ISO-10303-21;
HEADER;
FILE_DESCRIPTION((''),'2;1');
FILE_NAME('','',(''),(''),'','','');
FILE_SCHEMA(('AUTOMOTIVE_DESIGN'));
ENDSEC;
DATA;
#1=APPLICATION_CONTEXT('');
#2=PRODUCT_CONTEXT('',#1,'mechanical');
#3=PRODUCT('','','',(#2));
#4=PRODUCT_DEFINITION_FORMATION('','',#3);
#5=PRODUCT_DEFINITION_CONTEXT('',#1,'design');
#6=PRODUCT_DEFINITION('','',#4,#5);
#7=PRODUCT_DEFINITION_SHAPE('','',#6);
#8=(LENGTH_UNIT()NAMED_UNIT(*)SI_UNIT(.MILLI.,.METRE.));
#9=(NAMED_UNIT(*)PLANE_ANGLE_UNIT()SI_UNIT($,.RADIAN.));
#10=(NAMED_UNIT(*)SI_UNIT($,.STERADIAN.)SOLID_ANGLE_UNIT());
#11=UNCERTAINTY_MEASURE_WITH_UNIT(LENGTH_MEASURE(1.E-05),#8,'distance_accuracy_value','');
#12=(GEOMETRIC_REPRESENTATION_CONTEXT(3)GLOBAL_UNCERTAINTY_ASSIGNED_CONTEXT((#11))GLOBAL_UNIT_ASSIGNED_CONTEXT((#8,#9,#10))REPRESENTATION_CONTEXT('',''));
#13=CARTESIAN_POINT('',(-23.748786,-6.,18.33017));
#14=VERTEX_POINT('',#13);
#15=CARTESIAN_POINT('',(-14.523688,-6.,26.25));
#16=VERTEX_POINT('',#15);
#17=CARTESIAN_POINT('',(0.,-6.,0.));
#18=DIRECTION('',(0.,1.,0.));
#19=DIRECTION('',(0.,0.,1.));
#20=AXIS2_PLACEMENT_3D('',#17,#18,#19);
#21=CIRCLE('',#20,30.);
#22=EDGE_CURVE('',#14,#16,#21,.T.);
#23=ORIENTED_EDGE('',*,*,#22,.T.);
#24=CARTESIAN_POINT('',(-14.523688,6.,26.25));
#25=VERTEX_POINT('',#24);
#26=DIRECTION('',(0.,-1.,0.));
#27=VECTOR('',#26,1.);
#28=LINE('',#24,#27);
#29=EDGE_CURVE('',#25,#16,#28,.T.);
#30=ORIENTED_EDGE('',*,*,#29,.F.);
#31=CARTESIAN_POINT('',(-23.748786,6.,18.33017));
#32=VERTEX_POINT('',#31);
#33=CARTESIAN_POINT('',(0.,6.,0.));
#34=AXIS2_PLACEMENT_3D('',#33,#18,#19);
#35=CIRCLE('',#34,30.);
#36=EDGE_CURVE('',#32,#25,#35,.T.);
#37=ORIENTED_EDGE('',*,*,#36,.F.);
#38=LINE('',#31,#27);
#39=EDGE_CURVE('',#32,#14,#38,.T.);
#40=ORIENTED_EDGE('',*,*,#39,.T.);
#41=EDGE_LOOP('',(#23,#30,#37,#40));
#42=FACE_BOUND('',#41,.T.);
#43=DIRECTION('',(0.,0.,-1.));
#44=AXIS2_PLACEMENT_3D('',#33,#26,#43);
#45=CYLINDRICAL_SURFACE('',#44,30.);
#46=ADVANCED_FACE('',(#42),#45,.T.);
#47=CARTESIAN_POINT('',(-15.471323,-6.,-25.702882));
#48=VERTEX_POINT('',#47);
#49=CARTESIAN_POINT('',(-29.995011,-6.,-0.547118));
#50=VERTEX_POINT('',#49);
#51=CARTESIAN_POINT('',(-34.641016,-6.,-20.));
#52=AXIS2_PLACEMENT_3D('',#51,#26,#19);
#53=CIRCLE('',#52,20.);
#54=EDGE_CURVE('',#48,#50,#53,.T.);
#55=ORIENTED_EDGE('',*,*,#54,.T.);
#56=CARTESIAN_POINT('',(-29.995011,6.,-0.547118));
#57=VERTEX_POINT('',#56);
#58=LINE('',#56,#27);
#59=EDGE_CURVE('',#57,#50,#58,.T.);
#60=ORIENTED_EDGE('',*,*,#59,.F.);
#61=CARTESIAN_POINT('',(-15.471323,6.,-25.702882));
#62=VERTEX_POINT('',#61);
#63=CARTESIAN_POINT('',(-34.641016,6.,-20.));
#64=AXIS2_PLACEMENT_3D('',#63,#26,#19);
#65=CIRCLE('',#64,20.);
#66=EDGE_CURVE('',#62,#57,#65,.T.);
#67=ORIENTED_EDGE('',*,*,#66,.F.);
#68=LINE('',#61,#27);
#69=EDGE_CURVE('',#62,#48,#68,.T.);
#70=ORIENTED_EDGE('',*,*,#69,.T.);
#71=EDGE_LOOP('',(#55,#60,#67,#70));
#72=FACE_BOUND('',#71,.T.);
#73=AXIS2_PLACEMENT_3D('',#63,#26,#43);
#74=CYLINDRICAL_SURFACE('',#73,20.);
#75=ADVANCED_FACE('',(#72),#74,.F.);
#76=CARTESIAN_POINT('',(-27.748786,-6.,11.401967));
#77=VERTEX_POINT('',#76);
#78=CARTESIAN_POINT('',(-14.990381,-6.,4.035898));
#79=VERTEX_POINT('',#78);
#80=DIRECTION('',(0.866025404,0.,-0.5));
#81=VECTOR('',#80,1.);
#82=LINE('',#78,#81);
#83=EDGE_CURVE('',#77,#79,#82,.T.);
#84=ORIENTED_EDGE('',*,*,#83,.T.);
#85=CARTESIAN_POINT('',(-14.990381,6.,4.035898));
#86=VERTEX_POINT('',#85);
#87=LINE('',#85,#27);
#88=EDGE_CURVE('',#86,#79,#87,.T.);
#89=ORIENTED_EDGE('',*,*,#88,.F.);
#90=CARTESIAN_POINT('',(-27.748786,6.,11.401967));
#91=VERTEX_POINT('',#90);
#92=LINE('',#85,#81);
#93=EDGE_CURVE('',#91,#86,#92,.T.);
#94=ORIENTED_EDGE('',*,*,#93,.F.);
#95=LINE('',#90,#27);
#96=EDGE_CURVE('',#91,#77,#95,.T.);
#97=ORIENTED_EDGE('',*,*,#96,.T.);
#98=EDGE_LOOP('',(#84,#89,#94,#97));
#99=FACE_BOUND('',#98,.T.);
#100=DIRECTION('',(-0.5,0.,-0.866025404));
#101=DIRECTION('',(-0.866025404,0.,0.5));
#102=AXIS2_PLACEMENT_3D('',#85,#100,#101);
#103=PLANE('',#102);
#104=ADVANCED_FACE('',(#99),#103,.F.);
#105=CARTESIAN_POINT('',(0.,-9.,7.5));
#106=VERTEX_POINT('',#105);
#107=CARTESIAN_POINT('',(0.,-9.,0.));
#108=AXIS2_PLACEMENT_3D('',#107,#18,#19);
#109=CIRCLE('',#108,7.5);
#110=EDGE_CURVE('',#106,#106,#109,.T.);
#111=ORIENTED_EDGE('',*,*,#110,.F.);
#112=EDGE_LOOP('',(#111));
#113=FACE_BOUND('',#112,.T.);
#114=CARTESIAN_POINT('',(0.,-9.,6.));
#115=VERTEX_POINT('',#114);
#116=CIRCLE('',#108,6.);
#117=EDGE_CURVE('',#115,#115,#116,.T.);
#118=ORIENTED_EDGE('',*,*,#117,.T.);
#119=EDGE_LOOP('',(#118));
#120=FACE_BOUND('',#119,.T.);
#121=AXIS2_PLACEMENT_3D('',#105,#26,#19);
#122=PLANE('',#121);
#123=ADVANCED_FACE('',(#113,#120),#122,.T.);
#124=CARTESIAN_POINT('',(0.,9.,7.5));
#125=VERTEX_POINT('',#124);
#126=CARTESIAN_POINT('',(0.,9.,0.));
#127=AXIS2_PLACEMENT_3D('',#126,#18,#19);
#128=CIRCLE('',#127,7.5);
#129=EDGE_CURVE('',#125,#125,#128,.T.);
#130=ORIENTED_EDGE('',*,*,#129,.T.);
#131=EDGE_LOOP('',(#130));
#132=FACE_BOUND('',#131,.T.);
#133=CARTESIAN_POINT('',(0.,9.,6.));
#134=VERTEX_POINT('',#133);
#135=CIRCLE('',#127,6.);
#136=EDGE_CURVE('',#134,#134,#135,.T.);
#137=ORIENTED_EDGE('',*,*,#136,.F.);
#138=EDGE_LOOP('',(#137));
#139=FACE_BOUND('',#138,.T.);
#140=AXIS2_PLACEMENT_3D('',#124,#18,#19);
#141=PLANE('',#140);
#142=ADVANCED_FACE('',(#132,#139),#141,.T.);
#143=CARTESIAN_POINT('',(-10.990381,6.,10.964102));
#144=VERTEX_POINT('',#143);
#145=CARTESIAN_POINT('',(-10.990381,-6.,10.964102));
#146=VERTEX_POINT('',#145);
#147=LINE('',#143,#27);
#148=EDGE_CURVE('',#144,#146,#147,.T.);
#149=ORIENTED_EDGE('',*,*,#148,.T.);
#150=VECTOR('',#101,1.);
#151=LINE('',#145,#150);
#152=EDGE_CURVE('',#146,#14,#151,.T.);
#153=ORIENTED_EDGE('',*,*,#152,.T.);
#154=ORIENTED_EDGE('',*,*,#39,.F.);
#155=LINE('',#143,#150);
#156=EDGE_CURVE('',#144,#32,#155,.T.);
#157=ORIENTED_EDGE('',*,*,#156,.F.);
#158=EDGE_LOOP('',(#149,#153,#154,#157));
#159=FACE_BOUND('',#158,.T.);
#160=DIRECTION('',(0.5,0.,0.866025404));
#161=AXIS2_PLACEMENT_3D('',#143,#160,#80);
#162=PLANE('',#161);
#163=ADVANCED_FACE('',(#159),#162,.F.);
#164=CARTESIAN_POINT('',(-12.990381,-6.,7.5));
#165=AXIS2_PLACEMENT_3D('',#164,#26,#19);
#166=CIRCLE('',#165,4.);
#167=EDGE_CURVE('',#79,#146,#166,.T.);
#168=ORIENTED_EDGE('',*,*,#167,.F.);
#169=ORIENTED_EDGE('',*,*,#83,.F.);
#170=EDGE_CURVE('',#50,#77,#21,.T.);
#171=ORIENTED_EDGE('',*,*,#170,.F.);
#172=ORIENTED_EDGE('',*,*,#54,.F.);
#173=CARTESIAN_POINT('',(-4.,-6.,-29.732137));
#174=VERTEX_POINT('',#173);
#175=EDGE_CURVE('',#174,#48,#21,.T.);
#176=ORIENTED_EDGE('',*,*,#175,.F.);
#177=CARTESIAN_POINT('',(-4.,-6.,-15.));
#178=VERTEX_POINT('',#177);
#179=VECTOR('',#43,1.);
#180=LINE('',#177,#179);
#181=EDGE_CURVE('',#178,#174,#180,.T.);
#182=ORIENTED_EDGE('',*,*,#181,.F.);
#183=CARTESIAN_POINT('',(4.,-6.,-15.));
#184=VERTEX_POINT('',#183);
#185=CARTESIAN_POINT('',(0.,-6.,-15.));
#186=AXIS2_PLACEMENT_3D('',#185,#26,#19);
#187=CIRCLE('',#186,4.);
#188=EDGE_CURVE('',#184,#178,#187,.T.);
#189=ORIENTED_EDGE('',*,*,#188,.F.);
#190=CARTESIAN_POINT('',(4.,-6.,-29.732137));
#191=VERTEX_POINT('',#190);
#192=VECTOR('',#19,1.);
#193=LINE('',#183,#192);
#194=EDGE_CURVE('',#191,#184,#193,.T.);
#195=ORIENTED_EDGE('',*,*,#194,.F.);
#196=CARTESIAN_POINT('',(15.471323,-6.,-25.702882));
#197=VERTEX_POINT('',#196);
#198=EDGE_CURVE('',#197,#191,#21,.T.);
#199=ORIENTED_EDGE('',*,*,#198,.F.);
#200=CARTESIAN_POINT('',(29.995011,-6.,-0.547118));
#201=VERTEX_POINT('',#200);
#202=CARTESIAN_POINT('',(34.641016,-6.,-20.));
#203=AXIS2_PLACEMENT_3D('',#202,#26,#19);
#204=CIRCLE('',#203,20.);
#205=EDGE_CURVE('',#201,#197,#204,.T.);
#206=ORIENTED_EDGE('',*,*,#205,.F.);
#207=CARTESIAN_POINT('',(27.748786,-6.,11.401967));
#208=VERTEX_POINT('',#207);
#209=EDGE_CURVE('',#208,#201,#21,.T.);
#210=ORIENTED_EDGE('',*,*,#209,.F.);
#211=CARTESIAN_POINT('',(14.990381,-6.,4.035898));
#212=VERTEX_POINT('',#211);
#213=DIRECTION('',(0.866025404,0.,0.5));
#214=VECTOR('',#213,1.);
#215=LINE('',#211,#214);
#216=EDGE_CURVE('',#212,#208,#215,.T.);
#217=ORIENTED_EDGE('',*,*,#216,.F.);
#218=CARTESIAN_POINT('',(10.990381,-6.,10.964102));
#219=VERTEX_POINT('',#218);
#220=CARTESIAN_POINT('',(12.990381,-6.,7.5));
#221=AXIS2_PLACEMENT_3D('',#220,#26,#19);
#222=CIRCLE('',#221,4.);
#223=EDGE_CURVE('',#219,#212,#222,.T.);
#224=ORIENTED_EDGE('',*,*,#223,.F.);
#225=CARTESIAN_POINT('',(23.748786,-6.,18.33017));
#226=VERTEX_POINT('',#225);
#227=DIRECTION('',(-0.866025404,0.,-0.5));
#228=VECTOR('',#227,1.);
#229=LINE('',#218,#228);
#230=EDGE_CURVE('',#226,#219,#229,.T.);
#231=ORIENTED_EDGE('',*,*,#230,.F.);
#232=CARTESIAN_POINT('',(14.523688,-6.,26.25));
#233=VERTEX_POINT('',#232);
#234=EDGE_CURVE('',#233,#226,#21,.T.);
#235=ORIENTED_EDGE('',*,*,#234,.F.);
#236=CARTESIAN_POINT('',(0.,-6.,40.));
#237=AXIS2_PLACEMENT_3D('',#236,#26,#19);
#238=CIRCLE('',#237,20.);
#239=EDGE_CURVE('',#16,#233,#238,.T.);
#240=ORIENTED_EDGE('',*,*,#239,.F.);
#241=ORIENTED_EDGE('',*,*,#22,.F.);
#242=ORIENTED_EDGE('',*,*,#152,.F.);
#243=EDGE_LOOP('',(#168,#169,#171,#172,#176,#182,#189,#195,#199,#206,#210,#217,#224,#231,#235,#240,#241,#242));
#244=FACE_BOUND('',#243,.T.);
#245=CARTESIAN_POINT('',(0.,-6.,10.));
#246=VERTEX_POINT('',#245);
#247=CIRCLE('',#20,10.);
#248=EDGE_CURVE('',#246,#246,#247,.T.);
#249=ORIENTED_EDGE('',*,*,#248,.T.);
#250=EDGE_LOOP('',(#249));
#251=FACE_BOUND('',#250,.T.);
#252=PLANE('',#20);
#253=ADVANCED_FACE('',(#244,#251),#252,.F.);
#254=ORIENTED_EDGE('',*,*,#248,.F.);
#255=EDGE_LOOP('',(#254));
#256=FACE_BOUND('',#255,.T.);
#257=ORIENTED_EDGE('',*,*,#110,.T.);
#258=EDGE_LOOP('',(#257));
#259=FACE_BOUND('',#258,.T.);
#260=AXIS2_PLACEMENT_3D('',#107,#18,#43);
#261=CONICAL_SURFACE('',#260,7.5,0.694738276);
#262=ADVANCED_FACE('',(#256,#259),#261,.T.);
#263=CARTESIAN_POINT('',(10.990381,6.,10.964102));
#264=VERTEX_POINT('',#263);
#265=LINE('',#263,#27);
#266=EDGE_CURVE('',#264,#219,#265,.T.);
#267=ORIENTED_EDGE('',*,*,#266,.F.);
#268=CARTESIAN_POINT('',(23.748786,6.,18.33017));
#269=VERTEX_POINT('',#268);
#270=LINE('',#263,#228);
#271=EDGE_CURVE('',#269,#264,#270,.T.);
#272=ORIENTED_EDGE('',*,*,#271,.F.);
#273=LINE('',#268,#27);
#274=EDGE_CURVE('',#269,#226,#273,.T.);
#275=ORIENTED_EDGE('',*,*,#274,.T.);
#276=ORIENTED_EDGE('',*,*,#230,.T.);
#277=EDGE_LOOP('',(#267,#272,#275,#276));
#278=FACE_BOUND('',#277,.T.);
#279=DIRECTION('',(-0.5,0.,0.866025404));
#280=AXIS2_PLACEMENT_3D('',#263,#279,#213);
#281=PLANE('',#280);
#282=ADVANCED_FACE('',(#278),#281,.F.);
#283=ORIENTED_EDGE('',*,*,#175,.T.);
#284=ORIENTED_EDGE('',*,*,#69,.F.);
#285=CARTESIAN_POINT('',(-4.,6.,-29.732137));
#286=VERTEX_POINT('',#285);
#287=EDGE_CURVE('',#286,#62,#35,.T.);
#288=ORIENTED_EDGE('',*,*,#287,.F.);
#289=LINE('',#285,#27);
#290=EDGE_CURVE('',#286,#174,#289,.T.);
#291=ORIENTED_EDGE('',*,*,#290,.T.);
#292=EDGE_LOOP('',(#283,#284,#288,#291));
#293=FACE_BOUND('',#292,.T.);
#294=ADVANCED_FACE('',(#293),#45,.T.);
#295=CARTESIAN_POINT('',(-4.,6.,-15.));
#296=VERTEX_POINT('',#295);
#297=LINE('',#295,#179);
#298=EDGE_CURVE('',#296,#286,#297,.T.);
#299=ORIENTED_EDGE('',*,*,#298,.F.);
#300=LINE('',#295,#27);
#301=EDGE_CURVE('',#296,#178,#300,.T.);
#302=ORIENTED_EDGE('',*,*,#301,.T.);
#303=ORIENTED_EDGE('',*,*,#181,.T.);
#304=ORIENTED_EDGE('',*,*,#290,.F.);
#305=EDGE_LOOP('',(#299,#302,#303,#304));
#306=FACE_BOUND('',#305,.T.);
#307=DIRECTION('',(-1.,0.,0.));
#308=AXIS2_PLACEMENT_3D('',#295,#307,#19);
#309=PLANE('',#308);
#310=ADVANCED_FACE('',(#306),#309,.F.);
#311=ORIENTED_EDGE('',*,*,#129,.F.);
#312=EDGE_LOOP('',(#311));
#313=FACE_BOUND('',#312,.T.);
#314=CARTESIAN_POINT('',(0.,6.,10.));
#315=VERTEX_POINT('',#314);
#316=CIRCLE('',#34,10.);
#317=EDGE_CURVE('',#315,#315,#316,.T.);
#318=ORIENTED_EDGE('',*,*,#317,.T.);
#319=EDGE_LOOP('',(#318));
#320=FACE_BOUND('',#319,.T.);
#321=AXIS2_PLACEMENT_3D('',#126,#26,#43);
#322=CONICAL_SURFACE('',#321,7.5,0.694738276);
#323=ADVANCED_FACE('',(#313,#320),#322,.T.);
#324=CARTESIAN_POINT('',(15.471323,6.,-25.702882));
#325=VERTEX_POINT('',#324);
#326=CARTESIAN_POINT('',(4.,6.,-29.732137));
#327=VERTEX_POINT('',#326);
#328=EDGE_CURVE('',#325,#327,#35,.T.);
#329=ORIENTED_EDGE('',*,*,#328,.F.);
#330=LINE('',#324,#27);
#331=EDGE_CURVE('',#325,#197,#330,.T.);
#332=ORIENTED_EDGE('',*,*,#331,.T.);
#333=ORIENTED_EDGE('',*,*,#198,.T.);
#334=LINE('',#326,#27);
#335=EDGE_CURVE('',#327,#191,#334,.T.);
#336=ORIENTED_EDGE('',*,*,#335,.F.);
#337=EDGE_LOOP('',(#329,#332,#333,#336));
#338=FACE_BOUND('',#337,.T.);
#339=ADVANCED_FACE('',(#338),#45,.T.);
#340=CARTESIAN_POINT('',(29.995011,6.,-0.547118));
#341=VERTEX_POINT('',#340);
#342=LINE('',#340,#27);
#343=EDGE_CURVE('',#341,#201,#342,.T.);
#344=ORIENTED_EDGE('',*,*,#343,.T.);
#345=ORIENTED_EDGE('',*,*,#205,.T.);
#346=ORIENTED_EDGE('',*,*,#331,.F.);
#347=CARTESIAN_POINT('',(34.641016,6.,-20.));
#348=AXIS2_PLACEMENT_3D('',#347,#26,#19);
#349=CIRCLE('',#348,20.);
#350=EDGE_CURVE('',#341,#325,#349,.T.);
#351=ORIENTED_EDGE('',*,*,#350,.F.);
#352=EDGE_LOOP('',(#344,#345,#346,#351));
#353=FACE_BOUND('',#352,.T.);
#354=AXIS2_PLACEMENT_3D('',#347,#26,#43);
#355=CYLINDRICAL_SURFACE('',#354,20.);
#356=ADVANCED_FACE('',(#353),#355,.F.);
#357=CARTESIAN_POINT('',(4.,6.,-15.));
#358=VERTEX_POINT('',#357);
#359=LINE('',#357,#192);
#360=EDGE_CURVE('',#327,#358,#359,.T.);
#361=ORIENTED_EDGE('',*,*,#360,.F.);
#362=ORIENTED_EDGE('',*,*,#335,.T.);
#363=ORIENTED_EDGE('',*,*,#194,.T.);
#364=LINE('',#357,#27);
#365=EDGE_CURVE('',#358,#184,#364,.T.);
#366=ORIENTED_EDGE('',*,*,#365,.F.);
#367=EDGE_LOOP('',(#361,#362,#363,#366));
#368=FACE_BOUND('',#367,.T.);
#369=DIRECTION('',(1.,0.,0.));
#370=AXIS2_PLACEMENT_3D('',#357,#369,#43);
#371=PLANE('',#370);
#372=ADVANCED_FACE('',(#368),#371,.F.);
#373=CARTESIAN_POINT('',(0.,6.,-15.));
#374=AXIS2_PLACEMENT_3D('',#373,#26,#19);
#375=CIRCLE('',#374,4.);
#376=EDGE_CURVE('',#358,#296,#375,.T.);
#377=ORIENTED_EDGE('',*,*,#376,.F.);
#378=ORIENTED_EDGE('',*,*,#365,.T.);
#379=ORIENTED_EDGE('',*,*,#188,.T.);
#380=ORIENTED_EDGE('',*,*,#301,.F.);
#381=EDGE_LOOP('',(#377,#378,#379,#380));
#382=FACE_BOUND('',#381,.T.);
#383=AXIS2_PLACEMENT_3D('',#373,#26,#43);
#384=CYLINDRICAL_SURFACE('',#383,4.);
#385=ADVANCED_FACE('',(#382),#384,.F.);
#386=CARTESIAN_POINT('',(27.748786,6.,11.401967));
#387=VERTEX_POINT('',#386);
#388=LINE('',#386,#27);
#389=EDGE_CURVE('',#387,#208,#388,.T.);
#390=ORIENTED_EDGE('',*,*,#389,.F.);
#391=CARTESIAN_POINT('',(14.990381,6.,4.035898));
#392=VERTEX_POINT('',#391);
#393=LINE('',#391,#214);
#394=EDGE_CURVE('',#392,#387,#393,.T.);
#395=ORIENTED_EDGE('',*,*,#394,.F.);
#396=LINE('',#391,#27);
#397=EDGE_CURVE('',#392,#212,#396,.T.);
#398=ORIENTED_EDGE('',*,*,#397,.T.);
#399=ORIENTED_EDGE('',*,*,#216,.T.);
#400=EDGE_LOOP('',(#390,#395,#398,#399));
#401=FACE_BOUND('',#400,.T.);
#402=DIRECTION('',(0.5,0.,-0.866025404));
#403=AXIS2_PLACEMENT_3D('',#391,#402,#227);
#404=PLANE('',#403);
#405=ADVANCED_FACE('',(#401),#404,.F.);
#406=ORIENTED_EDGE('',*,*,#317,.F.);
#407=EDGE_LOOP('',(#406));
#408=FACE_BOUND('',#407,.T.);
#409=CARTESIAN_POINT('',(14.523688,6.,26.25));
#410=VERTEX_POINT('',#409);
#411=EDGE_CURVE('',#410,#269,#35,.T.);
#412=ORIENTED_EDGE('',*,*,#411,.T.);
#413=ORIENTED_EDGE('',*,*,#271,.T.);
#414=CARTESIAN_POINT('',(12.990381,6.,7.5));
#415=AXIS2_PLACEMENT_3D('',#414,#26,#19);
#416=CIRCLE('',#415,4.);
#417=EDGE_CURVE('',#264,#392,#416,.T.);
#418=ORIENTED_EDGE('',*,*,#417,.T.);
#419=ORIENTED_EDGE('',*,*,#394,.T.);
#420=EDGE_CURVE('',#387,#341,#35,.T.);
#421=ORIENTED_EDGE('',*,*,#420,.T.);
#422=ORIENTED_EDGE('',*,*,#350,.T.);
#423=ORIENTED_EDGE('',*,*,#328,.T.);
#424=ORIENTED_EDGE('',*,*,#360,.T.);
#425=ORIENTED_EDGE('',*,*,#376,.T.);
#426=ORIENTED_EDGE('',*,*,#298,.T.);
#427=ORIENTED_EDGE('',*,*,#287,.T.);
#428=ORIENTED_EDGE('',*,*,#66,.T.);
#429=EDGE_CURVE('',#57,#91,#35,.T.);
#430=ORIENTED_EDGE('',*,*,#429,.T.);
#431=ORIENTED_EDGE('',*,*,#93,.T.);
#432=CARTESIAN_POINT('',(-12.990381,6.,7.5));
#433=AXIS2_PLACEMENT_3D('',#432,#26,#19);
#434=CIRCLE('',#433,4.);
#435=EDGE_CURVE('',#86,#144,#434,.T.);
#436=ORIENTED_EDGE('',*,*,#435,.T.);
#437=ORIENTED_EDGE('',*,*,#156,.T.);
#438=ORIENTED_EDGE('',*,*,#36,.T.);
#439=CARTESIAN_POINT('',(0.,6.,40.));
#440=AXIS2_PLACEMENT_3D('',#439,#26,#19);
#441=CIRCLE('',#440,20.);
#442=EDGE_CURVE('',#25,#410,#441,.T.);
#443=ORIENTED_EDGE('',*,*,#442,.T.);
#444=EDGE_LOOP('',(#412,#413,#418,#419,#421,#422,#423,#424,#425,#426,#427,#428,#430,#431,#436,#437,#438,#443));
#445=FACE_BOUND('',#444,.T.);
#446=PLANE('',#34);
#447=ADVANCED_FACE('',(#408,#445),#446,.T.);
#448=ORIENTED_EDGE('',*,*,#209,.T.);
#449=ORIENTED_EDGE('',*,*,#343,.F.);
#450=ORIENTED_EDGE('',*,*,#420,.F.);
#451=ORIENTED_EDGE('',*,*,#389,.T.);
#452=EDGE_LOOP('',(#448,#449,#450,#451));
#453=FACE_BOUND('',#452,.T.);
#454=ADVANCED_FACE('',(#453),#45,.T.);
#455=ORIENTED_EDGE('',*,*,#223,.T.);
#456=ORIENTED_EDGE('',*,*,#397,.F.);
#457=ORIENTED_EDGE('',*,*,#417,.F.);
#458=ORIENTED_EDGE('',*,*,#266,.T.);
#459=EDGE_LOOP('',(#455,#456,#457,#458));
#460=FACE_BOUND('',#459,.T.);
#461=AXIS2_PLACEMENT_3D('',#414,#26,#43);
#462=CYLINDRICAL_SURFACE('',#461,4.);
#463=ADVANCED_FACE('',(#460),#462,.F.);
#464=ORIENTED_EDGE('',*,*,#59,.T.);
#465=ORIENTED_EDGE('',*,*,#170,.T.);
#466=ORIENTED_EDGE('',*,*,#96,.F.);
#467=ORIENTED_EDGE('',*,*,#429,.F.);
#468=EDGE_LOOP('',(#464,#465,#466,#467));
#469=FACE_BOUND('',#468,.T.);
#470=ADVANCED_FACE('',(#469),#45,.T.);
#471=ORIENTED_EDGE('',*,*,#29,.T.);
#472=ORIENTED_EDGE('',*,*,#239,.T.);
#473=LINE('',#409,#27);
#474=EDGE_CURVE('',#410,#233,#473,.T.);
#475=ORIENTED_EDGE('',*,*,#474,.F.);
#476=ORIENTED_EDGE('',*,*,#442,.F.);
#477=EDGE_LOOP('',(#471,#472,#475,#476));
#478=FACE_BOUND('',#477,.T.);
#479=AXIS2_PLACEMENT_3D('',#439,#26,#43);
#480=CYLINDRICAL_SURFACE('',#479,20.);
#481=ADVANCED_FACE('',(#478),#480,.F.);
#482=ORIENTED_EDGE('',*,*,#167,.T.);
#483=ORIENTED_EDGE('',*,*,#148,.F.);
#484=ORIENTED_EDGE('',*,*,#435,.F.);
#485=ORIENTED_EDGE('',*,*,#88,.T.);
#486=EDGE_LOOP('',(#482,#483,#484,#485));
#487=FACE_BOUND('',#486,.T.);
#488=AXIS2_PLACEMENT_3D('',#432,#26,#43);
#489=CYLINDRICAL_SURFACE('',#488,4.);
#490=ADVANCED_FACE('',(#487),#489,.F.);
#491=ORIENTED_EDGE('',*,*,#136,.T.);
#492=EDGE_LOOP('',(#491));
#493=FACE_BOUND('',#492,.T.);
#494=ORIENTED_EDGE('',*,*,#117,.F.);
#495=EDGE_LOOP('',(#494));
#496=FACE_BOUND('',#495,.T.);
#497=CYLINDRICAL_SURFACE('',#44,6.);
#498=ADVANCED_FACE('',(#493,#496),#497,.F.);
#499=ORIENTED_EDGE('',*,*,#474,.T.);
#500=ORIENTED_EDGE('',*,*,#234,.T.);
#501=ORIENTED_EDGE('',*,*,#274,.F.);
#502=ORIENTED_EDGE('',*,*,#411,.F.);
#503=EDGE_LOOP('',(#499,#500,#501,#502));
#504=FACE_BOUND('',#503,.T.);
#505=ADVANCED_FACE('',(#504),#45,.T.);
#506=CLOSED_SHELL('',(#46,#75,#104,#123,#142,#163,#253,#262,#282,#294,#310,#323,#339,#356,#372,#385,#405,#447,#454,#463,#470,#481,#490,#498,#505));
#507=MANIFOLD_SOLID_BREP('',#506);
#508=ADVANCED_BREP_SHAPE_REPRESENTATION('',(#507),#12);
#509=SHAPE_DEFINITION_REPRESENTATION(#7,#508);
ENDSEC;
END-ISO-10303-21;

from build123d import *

# Parameters (mm, degrees)
SKETCH_1_R      = 6
EXTRUDE_2_DEPTH = 6


with BuildPart() as part:
    # 草图1 → 凸台-拉伸2 (new, symmetric)
    with BuildSketch(Plane(origin=(0, 0, 0), x_dir=(1, 0, 0), z_dir=(0, 1, 0))):
        with BuildLine():
            Line((-10.990381057, -10.964101615), (-23.748786379, -18.330170362))
            ThreePointArc((-23.748786379, -18.330170362), (-19.541660382, -22.76232654), (-14.523687548, -26.25))
            ThreePointArc((-14.523687548, -26.25), (0, -20), (14.523687548, -26.25))
            ThreePointArc((14.523687548, -26.25), (19.541660382, -22.76232654), (23.748786379, -18.330170362))
            Line((23.748786379, -18.330170362), (10.990381057, -10.964101615))
            ThreePointArc((10.990381057, -10.964101615), (9.526279442, -5.5), (14.990381057, -4.035898385))
            Line((14.990381057, -4.035898385), (27.748786379, -11.401967132))
            ThreePointArc((27.748786379, -11.401967132), (29.483583224, -5.542411054), (29.995010623, 0.547117627))
            ThreePointArc((29.995010623, 0.547117627), (17.320508076, 10), (15.471323075, 25.702882373))
            ThreePointArc((15.471323075, 25.702882373), (9.941922841, 28.304737593), (4, 29.732137495))
            Line((4, 29.732137495), (4, 15))
            ThreePointArc((4, 15), (0, 11), (-4, 15))
            Line((-4, 15), (-4, 29.732137495))
            ThreePointArc((-4, 29.732137495), (-9.941922841, 28.304737593), (-15.471323075, 25.702882373))
            ThreePointArc((-15.471323075, 25.702882373), (-17.320508076, 10), (-29.995010623, 0.547117627))
            ThreePointArc((-29.995010623, 0.547117627), (-29.483583224, -5.542411054), (-27.748786379, -11.401967132))
            Line((-27.748786379, -11.401967132), (-14.990381057, -4.035898385))
            ThreePointArc((-14.990381057, -4.035898385), (-9.526279442, -5.5), (-10.990381057, -10.964101615))
        make_face()
        with Locations(Location((0, 0, 0), (0, 0, 270))):
            Circle(SKETCH_1_R, mode=Mode.SUBTRACT)
    extrude(amount=EXTRUDE_2_DEPTH, both=True)

    # 草图3 → 旋转2 (revolve)
    with BuildSketch(Plane(origin=(0, 0, 0), x_dir=(0, 0, -1), z_dir=(1, 0, 0))):
        Polygon((-10, 6), (-7.5, 9), (-6, 9), (-6, 6), align=None)
    revolve_2 = revolve(axis=Axis((0, 16.131008677, 0), (0, -1, 0)))

    # 镜向2: 旋转2 across plane
    add(revolve_2.mirror(Plane.ZX))


solid = part.part
